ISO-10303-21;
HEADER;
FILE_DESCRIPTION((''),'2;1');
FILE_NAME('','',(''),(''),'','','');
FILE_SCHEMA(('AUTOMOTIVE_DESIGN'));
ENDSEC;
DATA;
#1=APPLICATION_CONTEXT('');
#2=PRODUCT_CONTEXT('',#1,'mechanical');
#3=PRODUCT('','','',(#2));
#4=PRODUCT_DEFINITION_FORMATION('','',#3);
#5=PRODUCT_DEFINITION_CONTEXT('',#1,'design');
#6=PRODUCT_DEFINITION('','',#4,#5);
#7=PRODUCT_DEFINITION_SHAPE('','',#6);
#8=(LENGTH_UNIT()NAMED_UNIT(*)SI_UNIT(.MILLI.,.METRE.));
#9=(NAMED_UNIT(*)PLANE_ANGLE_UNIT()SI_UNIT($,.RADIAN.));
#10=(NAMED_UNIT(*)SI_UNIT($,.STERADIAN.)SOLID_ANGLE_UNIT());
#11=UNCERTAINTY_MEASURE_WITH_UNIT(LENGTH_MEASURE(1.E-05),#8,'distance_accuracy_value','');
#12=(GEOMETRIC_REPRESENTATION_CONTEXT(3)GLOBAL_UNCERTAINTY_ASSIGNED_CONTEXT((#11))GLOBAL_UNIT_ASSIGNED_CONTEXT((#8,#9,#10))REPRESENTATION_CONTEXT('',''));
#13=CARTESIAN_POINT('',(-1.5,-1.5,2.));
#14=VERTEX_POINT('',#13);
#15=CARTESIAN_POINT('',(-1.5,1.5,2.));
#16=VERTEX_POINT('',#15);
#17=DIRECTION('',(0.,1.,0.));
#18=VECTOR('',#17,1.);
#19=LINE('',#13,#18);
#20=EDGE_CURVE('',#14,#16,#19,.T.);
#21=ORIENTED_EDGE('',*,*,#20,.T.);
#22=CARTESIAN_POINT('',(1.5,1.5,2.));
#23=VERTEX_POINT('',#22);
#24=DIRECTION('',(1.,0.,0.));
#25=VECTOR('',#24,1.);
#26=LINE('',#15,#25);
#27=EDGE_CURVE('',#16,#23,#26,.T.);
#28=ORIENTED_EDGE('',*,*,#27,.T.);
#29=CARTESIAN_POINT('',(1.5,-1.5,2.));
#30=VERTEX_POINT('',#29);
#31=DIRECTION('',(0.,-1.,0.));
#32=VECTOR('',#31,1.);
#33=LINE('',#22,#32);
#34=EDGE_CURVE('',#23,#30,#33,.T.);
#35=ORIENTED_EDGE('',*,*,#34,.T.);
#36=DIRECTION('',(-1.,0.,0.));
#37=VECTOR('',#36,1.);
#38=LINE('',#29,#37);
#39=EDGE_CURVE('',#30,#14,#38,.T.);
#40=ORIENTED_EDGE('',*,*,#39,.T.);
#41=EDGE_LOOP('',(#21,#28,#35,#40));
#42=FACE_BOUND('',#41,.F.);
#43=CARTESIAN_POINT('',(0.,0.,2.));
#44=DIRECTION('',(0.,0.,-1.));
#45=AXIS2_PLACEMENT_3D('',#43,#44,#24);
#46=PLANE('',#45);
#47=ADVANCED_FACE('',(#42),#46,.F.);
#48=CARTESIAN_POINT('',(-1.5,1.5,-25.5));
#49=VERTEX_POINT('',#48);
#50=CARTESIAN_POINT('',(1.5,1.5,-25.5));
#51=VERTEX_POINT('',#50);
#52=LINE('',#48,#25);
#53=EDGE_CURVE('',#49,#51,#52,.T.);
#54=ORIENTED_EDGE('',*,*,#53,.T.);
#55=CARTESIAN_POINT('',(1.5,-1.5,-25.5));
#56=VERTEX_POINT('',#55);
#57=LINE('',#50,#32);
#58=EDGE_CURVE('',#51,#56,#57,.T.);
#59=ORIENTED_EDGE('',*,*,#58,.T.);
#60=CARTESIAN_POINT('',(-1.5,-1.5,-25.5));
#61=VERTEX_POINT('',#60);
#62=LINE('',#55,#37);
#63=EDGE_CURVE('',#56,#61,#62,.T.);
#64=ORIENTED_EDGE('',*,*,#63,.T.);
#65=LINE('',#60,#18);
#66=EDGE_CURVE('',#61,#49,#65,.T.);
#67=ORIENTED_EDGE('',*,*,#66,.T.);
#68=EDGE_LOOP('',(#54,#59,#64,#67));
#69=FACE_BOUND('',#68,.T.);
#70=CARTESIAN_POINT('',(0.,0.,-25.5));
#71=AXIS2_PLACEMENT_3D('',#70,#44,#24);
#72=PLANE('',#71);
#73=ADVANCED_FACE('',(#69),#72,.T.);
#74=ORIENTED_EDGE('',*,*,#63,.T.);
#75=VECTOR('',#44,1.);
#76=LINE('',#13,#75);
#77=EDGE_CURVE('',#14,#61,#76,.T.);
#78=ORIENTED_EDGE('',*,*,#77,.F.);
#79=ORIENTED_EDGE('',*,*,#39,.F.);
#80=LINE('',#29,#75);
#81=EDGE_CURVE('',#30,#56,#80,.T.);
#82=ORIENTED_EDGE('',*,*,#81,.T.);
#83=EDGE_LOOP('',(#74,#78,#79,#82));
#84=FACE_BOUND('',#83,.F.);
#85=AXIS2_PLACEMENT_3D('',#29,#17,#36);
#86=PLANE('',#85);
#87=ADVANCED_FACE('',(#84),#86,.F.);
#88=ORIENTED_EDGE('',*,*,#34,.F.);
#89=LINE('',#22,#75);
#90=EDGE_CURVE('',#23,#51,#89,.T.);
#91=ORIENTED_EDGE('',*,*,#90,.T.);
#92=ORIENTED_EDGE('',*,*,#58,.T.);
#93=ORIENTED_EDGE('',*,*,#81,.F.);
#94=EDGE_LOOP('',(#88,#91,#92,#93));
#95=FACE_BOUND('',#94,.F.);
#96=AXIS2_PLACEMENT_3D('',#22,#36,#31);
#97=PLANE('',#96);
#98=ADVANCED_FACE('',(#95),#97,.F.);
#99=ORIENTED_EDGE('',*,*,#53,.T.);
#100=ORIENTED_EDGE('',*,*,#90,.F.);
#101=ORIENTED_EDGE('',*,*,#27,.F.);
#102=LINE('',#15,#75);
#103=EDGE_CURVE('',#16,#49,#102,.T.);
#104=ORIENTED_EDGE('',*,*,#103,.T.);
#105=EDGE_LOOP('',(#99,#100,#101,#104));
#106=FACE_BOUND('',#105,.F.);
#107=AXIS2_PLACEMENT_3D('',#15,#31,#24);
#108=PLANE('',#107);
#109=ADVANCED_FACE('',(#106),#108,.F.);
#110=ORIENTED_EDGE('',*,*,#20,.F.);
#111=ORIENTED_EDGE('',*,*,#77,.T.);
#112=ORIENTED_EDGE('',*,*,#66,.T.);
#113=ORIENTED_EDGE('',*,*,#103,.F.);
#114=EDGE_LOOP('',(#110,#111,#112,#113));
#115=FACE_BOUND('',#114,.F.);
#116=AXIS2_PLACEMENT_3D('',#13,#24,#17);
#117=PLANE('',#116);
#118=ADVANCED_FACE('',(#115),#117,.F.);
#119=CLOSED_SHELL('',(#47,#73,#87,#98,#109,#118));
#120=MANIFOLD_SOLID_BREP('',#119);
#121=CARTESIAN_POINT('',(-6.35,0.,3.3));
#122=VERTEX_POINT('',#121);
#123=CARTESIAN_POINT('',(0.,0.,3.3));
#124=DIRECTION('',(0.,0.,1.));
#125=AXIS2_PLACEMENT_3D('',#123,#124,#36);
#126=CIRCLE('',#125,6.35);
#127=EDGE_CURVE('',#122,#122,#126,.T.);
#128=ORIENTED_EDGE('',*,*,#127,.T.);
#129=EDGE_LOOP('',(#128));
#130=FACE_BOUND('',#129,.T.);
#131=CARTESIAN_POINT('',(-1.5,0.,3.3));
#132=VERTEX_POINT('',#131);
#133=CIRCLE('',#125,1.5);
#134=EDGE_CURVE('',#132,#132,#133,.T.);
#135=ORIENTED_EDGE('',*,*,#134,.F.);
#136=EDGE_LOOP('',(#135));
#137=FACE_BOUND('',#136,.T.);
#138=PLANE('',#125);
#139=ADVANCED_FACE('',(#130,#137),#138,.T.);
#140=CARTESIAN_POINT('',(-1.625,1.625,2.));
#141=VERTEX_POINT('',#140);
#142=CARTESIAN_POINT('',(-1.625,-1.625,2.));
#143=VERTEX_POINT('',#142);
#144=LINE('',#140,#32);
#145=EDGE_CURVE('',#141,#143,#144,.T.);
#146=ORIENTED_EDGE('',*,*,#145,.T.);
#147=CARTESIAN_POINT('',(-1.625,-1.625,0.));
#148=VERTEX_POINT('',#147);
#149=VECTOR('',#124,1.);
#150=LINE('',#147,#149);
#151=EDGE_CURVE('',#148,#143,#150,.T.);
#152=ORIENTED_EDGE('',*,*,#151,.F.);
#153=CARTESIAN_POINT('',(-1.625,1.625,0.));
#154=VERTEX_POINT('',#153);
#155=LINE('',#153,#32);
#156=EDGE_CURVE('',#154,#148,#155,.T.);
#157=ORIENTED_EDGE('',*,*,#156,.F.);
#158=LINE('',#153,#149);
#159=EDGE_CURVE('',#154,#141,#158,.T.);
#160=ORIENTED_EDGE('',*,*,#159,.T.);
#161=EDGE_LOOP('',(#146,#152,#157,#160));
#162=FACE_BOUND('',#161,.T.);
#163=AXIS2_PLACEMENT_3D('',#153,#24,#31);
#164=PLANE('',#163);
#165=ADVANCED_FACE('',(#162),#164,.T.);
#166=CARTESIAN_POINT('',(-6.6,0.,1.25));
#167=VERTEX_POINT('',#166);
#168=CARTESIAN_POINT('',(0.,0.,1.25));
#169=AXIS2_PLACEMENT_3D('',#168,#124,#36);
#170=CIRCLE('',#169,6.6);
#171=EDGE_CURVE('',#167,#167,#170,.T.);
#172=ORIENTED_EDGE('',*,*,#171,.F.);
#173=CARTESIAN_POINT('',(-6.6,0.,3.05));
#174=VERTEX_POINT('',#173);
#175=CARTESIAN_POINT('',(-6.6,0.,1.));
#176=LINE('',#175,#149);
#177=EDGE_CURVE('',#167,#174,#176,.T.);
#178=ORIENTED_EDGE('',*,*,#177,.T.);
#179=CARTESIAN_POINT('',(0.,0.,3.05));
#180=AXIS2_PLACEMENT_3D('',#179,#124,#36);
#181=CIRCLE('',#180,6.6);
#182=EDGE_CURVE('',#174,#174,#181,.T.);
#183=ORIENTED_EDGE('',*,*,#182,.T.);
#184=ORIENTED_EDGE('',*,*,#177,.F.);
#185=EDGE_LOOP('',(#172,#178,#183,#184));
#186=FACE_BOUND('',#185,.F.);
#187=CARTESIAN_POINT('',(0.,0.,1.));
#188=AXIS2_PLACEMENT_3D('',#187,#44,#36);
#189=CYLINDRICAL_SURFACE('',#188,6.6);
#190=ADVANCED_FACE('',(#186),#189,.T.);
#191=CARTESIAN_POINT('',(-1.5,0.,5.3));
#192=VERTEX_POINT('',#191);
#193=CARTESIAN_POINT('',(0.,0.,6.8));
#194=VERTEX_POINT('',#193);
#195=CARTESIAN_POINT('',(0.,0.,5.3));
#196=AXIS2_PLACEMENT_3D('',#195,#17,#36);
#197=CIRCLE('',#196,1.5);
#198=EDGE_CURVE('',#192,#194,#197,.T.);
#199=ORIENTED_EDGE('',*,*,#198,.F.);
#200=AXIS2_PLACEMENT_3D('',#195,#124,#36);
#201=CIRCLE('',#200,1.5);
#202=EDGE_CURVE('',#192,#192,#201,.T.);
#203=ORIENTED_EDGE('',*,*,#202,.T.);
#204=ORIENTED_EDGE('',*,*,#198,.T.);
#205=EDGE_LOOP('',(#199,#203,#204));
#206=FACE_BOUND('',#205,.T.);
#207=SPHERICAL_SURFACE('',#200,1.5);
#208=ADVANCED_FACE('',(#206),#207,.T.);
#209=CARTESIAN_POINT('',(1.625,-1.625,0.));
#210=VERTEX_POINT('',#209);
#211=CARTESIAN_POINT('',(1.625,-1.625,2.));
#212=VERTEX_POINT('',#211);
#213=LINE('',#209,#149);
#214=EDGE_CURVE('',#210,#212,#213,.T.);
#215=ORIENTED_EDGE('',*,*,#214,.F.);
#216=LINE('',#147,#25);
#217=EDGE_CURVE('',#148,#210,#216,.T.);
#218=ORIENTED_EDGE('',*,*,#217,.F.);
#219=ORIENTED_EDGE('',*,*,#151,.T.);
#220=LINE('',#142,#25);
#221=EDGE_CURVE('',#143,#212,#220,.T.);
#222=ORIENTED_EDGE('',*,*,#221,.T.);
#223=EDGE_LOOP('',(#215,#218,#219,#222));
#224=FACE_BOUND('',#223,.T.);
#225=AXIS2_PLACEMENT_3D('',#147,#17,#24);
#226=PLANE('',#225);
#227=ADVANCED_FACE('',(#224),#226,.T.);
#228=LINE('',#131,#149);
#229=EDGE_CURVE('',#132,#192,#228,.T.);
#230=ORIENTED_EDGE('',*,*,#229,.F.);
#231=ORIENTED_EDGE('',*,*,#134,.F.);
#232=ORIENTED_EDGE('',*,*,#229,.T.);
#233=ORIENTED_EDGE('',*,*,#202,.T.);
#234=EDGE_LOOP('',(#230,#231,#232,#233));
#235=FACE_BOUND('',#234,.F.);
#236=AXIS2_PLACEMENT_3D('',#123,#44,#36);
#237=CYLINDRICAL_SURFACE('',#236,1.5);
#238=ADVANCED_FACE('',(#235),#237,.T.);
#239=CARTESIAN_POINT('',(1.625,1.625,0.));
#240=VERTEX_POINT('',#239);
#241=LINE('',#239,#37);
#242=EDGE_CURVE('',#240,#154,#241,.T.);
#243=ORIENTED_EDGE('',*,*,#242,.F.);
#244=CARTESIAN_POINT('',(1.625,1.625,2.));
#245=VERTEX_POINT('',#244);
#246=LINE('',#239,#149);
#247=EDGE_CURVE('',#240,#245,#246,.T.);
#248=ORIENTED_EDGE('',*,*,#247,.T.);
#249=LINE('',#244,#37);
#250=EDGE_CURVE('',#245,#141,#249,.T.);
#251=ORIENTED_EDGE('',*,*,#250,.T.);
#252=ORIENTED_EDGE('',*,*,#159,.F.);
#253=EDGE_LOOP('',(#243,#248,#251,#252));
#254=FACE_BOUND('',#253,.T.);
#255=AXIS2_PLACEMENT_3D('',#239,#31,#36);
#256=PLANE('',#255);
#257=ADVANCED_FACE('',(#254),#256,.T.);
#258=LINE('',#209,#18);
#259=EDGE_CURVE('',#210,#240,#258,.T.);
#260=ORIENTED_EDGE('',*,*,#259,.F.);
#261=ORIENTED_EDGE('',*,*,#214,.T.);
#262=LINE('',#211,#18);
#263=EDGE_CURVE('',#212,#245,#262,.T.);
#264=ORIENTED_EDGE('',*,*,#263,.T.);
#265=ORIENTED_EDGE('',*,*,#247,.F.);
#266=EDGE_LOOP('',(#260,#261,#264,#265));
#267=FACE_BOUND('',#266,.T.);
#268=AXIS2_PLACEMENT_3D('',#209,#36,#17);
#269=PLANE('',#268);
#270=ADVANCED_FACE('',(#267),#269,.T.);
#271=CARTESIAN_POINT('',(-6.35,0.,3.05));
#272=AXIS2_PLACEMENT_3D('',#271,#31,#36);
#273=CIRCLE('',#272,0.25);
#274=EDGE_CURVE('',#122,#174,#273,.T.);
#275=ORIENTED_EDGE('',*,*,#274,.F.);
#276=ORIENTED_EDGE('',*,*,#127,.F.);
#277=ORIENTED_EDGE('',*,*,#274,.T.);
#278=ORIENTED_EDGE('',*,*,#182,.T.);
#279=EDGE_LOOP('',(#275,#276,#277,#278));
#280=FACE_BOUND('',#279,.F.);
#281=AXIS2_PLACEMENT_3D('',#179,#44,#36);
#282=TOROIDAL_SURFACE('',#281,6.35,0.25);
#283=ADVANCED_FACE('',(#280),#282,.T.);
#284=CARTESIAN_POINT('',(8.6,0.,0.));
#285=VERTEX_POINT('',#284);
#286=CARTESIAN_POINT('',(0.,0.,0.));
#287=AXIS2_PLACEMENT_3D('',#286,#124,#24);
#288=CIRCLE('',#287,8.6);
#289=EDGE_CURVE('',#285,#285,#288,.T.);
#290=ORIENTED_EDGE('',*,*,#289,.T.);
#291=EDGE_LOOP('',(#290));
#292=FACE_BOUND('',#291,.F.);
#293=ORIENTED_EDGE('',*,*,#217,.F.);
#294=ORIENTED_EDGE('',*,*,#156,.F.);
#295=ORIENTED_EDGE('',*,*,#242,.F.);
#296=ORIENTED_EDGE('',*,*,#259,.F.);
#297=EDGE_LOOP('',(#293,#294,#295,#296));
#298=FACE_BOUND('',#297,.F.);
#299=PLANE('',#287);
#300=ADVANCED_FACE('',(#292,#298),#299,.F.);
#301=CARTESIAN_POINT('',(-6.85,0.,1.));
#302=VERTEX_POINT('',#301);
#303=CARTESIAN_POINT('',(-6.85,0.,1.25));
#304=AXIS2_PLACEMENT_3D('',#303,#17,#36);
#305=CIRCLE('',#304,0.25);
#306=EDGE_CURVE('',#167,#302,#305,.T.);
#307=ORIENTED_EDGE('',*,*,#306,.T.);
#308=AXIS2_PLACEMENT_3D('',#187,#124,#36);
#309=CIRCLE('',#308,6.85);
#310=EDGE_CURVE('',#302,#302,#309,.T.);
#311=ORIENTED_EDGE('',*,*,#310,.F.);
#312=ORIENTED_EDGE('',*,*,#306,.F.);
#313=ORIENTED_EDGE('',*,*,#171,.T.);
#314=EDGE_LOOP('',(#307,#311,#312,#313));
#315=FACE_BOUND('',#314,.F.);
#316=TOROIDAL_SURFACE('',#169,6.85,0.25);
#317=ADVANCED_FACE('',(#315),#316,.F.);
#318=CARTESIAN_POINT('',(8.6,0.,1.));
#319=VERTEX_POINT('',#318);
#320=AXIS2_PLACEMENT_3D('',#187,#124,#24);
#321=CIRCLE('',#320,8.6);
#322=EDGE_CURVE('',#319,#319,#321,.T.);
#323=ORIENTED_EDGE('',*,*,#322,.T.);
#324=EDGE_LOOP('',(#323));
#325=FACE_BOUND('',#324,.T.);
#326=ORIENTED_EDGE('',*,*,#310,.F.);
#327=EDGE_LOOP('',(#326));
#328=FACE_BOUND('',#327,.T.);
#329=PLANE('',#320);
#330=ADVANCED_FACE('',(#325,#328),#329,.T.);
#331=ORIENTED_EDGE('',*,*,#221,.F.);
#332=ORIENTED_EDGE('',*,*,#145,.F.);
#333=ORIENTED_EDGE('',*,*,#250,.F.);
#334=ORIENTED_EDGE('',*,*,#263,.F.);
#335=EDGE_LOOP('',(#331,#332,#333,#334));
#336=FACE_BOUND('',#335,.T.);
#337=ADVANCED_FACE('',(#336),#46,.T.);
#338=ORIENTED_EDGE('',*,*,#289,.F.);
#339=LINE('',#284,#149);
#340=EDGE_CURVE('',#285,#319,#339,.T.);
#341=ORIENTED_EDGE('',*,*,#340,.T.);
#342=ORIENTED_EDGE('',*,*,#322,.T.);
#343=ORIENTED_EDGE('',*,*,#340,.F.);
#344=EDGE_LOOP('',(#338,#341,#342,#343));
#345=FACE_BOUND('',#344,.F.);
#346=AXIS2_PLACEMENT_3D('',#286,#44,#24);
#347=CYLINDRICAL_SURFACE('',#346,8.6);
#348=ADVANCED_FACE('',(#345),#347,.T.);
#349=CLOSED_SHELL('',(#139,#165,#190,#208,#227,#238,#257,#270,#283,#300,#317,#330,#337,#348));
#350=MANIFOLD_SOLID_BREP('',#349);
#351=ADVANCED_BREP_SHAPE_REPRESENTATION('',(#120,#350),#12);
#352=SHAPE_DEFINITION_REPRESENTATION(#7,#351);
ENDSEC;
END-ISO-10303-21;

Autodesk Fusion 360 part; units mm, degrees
sketch "Sketch1" plane through (0, 0, 0) normal (0, 0, 1) x (1, 0, 0) in component "wheel"
  circle A0 centre (0, 0) radius 8.6
  dimension "d9" = 17.2
extrude "Extrude1" add sketch "Sketch1" along normal blind 1 makes body 1 in component "wheel"
sketch "Sketch2" plane through (0, 0, 1) normal (0, 0, 1) x (-1, 0, 0) in component "wheel"
  circle A0 centre (0, 0) radius 8.6
  circle A1 centre (0, 0) radius 6.6
  dimension "d13" = 13.2
extrude "Extrude2" add sketch "Sketch2" along normal blind 2.3 contours A1 bodies 1 in component "wheel"
sketch "Sketch3" plane through (0, 0, 3.3) normal (0, 0, 1) x (-1, 0, 0) in component "wheel"
  circle A0 centre (0, 0) radius 6.6
  circle A1 centre (0, 0) radius 1.5
  dimension "d16" = 3
extrude "Extrude3" add sketch "Sketch3" along normal blind 3.5 contours A1 bodies 1 in component "wheel"
fillet "Fillet1" radius 1.5 1 edges at (1.3985, 0.5424, 6.8) on bodies 1 in component "wheel"
fillet "Fillet2" radius 0.25 2 edges at (6.1534, -2.3867, 1) (6.1534, 2.3867, 3.3) on bodies 1 in component "wheel"
sketch "Sketch4" plane through (0, 0, 0) normal (0, 0, -1) x (1, 0, 0) in component "wheel"
  circle A0 centre (0, 0) radius 8.6
  line L0 (0.5, -0.5) -> (-0.5, 0.5) construction
  line L1 (-2.0512, -2.0678) -> (2.0552, 2.0719) construction
  circle A1 centre (0, 0) radius 1.5
  dimension "d19" = 3
  dimension "d20" = 3
  dimension "d32" = 3
sketch "Sketch1 (2)" plane through (0, 0, 0) normal (0, 0, -1) x (1, 0, 0)
  circle A0 centre (0, 0) radius 8.6
  line L0 (1.625, -1.625) -> (-1.625, -1.625)
  line L1 (-1.625, -1.625) -> (-1.625, 1.625)
  line L2 (-1.625, 1.625) -> (1.625, 1.625)
  line L3 (1.625, 1.625) -> (1.625, -1.625)
  line L4 (1.625, -1.625) -> (-1.625, 1.625) construction
  line L5 (-1.625, -1.625) -> (1.625, 1.625) construction
  dimension "d33" = 3.25
  dimension "d34" = 3.25
extrude "Extrude6" cut sketch "Sketch1 (2)" against normal blind 2 contours L0 L1 L2 L3 bodies 1 in component "wheel"
sketch "Sketch1 (3)" plane through (0, 0, 2) normal (0, 0, -1) x (1, 0, 0) in component "pin"
  line L0 (1.625, 1.625) -> (-1.625, 1.625)
  line L1 (-1.625, 1.625) -> (-1.625, -1.625)
  line L2 (-1.625, -1.625) -> (1.625, -1.625)
  line L3 (1.625, -1.625) -> (1.625, 1.625)
  line L4 (-1.5, -1.5) -> (1.5, -1.5)
  line L5 (1.5, -1.5) -> (1.5, 1.5)
  line L6 (1.5, 1.5) -> (-1.5, 1.5)
  line L7 (-1.5, 1.5) -> (-1.5, -1.5)
  line L8 (-1.5, -1.5) -> (1.5, 1.5) construction
  line L9 (1.5, -1.5) -> (-1.5, 1.5) construction
  dimension "d40" = 3
  dimension "d41" = 3
extrude "Extrude2'" add sketch "Sketch1 (3)" along normal blind 27.5 separate body contours L4 L5 L6 L7 makes body 2 in component "pin"
component "wheel" placed x (1, 0, 0) y (0, 1, 0) z (0, 0, 1) at (0, 0, 0)
component "pin" placed x (1, 0, 0) y (0, 1, 0) z (0, 0, 1) at (0, 0, 0)
equation "outer_wheel_diameter = 17.2 mm"
equation "outer_lip = 2 mm"
equation "inner_wheel_diameter = 13.2 mm"
equation "inner_wheel_height = 2.3 mm"
equation "peg_diameter = 3 mm"
equation "peg_height = 3.5 mm"
equation "pin_side = 3 mm"
equation "pin_depth = 2 mm"
equation "d9 = outer_wheel_diameter"
equation "outer_wheel_thickness = 1 mm"
equation "d11 = outer_wheel_thickness"
equation "d13 = inner_wheel_diameter"
equation "d14 = inner_wheel_height"
equation "d16 = peg_diameter"
equation "d17 = peg_height"
equation "d19 = pin_side"
equation "d20 = pin_side"
equation "distance_between_wheels = 23.5 mm"
equation "d26 = peg_diameter / 2"
equation "pin_diameter = 3 mm"
equation "d32 = pin_diameter"
equation "d33 = pin_side + wheel_pin_tolerance"
equation "d34 = pin_side + wheel_pin_tolerance"
equation "d35 = -pin_depth"
equation "wheel_pin_tolerance = 0.25 mm"
equation "d40 = pin_side"
equation "d41 = pin_side"
equation "d42 = pin_depth * 2 + distance_between_wheels"
